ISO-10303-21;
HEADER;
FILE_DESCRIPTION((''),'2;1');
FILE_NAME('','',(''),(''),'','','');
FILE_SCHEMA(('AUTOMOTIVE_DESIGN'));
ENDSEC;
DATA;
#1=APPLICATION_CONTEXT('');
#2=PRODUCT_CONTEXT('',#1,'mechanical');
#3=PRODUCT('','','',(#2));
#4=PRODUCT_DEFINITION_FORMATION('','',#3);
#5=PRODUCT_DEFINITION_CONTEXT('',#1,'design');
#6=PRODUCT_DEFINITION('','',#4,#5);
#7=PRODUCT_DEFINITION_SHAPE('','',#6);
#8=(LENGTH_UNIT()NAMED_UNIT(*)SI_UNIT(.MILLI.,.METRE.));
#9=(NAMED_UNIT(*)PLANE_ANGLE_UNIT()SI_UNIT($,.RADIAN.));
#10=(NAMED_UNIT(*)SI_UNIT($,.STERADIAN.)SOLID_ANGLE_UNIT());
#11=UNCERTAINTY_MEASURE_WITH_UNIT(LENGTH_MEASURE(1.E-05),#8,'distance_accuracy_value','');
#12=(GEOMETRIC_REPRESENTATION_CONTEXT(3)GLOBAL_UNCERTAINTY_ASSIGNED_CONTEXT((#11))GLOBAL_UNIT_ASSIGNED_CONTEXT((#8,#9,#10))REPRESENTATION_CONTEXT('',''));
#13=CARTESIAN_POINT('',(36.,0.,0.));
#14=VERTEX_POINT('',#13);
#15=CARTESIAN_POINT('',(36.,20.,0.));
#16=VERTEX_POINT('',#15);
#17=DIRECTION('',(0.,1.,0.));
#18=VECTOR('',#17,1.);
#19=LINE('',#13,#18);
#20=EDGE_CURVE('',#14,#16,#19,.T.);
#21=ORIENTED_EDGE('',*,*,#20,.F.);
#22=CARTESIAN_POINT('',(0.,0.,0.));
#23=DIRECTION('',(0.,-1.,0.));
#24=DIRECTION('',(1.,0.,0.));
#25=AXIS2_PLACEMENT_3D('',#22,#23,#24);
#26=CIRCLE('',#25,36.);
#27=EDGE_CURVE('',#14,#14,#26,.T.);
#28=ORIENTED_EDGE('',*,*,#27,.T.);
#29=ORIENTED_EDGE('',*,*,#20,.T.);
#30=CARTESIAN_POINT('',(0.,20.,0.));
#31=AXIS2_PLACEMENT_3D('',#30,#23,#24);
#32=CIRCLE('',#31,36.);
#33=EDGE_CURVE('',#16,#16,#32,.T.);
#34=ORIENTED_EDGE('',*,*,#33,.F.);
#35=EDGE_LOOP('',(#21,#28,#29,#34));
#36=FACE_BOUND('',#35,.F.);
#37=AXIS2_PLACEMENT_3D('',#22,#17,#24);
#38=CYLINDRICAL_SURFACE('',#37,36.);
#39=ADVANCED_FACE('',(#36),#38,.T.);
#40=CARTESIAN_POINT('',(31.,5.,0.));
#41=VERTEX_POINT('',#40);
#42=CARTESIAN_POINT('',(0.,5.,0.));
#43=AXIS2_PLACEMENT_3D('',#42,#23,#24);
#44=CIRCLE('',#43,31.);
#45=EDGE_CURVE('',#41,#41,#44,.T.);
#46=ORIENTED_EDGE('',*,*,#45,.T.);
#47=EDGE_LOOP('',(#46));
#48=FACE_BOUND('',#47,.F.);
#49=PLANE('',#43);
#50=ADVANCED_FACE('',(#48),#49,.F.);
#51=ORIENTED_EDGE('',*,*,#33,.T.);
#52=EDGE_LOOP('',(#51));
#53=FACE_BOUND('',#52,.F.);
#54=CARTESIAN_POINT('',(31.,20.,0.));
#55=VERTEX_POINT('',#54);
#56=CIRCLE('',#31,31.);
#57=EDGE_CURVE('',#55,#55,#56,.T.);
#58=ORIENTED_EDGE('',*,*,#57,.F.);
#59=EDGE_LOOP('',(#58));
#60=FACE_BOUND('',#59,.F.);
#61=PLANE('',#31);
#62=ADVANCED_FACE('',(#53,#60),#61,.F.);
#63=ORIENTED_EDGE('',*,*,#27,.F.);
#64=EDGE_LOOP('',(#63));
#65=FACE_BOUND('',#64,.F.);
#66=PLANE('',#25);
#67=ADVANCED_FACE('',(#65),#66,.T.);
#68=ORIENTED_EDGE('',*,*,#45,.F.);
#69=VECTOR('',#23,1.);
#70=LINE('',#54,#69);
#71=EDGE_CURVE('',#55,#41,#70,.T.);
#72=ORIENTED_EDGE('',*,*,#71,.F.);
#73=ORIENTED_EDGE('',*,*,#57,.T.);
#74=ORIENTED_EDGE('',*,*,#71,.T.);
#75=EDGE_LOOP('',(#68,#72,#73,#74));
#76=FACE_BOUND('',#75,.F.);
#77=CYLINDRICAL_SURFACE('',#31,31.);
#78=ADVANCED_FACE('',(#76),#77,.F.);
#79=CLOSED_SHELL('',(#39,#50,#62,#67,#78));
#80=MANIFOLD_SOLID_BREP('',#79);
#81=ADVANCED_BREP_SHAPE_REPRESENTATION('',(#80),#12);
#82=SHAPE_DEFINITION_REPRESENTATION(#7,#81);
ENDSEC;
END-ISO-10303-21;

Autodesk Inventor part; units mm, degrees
ref_plane "YZ Plane" through (0, 0, 0) normal (1, 0, 0) x (0, 1, 0)
ref_plane "XZ Plane" through (0, 0, 0) normal (0, 1, 0) x (-1, 0, 0)
ref_plane "XY Plane" through (0, 0, 0) normal (0, 0, 1) x (1, 0, 0)
sketch "Эскиз1" plane through (0, 0, 0) normal (0, 0, 1) x (1, 0, 0)
  line L0 (0, 5) -> (0, 0)
  line L1 (0, 0) -> (36, 0)
  line L2 (36, 0) -> (36, 20)
  line L3 (36, 20) -> (31, 20)
  line L4 (31, 20) -> (31, 5)
  line L5 (31, 5) -> (0, 5)
  dimension "d0" = 5
  dimension "d1" = 5
  dimension "d3" = 20
  dimension "d4" = 36
revolve "Вращение1" add sketch "Эскиз1" angle 360 about axis through (0, 5, 0) along (0, -1, 0)
properties part number "Крышка большая"
